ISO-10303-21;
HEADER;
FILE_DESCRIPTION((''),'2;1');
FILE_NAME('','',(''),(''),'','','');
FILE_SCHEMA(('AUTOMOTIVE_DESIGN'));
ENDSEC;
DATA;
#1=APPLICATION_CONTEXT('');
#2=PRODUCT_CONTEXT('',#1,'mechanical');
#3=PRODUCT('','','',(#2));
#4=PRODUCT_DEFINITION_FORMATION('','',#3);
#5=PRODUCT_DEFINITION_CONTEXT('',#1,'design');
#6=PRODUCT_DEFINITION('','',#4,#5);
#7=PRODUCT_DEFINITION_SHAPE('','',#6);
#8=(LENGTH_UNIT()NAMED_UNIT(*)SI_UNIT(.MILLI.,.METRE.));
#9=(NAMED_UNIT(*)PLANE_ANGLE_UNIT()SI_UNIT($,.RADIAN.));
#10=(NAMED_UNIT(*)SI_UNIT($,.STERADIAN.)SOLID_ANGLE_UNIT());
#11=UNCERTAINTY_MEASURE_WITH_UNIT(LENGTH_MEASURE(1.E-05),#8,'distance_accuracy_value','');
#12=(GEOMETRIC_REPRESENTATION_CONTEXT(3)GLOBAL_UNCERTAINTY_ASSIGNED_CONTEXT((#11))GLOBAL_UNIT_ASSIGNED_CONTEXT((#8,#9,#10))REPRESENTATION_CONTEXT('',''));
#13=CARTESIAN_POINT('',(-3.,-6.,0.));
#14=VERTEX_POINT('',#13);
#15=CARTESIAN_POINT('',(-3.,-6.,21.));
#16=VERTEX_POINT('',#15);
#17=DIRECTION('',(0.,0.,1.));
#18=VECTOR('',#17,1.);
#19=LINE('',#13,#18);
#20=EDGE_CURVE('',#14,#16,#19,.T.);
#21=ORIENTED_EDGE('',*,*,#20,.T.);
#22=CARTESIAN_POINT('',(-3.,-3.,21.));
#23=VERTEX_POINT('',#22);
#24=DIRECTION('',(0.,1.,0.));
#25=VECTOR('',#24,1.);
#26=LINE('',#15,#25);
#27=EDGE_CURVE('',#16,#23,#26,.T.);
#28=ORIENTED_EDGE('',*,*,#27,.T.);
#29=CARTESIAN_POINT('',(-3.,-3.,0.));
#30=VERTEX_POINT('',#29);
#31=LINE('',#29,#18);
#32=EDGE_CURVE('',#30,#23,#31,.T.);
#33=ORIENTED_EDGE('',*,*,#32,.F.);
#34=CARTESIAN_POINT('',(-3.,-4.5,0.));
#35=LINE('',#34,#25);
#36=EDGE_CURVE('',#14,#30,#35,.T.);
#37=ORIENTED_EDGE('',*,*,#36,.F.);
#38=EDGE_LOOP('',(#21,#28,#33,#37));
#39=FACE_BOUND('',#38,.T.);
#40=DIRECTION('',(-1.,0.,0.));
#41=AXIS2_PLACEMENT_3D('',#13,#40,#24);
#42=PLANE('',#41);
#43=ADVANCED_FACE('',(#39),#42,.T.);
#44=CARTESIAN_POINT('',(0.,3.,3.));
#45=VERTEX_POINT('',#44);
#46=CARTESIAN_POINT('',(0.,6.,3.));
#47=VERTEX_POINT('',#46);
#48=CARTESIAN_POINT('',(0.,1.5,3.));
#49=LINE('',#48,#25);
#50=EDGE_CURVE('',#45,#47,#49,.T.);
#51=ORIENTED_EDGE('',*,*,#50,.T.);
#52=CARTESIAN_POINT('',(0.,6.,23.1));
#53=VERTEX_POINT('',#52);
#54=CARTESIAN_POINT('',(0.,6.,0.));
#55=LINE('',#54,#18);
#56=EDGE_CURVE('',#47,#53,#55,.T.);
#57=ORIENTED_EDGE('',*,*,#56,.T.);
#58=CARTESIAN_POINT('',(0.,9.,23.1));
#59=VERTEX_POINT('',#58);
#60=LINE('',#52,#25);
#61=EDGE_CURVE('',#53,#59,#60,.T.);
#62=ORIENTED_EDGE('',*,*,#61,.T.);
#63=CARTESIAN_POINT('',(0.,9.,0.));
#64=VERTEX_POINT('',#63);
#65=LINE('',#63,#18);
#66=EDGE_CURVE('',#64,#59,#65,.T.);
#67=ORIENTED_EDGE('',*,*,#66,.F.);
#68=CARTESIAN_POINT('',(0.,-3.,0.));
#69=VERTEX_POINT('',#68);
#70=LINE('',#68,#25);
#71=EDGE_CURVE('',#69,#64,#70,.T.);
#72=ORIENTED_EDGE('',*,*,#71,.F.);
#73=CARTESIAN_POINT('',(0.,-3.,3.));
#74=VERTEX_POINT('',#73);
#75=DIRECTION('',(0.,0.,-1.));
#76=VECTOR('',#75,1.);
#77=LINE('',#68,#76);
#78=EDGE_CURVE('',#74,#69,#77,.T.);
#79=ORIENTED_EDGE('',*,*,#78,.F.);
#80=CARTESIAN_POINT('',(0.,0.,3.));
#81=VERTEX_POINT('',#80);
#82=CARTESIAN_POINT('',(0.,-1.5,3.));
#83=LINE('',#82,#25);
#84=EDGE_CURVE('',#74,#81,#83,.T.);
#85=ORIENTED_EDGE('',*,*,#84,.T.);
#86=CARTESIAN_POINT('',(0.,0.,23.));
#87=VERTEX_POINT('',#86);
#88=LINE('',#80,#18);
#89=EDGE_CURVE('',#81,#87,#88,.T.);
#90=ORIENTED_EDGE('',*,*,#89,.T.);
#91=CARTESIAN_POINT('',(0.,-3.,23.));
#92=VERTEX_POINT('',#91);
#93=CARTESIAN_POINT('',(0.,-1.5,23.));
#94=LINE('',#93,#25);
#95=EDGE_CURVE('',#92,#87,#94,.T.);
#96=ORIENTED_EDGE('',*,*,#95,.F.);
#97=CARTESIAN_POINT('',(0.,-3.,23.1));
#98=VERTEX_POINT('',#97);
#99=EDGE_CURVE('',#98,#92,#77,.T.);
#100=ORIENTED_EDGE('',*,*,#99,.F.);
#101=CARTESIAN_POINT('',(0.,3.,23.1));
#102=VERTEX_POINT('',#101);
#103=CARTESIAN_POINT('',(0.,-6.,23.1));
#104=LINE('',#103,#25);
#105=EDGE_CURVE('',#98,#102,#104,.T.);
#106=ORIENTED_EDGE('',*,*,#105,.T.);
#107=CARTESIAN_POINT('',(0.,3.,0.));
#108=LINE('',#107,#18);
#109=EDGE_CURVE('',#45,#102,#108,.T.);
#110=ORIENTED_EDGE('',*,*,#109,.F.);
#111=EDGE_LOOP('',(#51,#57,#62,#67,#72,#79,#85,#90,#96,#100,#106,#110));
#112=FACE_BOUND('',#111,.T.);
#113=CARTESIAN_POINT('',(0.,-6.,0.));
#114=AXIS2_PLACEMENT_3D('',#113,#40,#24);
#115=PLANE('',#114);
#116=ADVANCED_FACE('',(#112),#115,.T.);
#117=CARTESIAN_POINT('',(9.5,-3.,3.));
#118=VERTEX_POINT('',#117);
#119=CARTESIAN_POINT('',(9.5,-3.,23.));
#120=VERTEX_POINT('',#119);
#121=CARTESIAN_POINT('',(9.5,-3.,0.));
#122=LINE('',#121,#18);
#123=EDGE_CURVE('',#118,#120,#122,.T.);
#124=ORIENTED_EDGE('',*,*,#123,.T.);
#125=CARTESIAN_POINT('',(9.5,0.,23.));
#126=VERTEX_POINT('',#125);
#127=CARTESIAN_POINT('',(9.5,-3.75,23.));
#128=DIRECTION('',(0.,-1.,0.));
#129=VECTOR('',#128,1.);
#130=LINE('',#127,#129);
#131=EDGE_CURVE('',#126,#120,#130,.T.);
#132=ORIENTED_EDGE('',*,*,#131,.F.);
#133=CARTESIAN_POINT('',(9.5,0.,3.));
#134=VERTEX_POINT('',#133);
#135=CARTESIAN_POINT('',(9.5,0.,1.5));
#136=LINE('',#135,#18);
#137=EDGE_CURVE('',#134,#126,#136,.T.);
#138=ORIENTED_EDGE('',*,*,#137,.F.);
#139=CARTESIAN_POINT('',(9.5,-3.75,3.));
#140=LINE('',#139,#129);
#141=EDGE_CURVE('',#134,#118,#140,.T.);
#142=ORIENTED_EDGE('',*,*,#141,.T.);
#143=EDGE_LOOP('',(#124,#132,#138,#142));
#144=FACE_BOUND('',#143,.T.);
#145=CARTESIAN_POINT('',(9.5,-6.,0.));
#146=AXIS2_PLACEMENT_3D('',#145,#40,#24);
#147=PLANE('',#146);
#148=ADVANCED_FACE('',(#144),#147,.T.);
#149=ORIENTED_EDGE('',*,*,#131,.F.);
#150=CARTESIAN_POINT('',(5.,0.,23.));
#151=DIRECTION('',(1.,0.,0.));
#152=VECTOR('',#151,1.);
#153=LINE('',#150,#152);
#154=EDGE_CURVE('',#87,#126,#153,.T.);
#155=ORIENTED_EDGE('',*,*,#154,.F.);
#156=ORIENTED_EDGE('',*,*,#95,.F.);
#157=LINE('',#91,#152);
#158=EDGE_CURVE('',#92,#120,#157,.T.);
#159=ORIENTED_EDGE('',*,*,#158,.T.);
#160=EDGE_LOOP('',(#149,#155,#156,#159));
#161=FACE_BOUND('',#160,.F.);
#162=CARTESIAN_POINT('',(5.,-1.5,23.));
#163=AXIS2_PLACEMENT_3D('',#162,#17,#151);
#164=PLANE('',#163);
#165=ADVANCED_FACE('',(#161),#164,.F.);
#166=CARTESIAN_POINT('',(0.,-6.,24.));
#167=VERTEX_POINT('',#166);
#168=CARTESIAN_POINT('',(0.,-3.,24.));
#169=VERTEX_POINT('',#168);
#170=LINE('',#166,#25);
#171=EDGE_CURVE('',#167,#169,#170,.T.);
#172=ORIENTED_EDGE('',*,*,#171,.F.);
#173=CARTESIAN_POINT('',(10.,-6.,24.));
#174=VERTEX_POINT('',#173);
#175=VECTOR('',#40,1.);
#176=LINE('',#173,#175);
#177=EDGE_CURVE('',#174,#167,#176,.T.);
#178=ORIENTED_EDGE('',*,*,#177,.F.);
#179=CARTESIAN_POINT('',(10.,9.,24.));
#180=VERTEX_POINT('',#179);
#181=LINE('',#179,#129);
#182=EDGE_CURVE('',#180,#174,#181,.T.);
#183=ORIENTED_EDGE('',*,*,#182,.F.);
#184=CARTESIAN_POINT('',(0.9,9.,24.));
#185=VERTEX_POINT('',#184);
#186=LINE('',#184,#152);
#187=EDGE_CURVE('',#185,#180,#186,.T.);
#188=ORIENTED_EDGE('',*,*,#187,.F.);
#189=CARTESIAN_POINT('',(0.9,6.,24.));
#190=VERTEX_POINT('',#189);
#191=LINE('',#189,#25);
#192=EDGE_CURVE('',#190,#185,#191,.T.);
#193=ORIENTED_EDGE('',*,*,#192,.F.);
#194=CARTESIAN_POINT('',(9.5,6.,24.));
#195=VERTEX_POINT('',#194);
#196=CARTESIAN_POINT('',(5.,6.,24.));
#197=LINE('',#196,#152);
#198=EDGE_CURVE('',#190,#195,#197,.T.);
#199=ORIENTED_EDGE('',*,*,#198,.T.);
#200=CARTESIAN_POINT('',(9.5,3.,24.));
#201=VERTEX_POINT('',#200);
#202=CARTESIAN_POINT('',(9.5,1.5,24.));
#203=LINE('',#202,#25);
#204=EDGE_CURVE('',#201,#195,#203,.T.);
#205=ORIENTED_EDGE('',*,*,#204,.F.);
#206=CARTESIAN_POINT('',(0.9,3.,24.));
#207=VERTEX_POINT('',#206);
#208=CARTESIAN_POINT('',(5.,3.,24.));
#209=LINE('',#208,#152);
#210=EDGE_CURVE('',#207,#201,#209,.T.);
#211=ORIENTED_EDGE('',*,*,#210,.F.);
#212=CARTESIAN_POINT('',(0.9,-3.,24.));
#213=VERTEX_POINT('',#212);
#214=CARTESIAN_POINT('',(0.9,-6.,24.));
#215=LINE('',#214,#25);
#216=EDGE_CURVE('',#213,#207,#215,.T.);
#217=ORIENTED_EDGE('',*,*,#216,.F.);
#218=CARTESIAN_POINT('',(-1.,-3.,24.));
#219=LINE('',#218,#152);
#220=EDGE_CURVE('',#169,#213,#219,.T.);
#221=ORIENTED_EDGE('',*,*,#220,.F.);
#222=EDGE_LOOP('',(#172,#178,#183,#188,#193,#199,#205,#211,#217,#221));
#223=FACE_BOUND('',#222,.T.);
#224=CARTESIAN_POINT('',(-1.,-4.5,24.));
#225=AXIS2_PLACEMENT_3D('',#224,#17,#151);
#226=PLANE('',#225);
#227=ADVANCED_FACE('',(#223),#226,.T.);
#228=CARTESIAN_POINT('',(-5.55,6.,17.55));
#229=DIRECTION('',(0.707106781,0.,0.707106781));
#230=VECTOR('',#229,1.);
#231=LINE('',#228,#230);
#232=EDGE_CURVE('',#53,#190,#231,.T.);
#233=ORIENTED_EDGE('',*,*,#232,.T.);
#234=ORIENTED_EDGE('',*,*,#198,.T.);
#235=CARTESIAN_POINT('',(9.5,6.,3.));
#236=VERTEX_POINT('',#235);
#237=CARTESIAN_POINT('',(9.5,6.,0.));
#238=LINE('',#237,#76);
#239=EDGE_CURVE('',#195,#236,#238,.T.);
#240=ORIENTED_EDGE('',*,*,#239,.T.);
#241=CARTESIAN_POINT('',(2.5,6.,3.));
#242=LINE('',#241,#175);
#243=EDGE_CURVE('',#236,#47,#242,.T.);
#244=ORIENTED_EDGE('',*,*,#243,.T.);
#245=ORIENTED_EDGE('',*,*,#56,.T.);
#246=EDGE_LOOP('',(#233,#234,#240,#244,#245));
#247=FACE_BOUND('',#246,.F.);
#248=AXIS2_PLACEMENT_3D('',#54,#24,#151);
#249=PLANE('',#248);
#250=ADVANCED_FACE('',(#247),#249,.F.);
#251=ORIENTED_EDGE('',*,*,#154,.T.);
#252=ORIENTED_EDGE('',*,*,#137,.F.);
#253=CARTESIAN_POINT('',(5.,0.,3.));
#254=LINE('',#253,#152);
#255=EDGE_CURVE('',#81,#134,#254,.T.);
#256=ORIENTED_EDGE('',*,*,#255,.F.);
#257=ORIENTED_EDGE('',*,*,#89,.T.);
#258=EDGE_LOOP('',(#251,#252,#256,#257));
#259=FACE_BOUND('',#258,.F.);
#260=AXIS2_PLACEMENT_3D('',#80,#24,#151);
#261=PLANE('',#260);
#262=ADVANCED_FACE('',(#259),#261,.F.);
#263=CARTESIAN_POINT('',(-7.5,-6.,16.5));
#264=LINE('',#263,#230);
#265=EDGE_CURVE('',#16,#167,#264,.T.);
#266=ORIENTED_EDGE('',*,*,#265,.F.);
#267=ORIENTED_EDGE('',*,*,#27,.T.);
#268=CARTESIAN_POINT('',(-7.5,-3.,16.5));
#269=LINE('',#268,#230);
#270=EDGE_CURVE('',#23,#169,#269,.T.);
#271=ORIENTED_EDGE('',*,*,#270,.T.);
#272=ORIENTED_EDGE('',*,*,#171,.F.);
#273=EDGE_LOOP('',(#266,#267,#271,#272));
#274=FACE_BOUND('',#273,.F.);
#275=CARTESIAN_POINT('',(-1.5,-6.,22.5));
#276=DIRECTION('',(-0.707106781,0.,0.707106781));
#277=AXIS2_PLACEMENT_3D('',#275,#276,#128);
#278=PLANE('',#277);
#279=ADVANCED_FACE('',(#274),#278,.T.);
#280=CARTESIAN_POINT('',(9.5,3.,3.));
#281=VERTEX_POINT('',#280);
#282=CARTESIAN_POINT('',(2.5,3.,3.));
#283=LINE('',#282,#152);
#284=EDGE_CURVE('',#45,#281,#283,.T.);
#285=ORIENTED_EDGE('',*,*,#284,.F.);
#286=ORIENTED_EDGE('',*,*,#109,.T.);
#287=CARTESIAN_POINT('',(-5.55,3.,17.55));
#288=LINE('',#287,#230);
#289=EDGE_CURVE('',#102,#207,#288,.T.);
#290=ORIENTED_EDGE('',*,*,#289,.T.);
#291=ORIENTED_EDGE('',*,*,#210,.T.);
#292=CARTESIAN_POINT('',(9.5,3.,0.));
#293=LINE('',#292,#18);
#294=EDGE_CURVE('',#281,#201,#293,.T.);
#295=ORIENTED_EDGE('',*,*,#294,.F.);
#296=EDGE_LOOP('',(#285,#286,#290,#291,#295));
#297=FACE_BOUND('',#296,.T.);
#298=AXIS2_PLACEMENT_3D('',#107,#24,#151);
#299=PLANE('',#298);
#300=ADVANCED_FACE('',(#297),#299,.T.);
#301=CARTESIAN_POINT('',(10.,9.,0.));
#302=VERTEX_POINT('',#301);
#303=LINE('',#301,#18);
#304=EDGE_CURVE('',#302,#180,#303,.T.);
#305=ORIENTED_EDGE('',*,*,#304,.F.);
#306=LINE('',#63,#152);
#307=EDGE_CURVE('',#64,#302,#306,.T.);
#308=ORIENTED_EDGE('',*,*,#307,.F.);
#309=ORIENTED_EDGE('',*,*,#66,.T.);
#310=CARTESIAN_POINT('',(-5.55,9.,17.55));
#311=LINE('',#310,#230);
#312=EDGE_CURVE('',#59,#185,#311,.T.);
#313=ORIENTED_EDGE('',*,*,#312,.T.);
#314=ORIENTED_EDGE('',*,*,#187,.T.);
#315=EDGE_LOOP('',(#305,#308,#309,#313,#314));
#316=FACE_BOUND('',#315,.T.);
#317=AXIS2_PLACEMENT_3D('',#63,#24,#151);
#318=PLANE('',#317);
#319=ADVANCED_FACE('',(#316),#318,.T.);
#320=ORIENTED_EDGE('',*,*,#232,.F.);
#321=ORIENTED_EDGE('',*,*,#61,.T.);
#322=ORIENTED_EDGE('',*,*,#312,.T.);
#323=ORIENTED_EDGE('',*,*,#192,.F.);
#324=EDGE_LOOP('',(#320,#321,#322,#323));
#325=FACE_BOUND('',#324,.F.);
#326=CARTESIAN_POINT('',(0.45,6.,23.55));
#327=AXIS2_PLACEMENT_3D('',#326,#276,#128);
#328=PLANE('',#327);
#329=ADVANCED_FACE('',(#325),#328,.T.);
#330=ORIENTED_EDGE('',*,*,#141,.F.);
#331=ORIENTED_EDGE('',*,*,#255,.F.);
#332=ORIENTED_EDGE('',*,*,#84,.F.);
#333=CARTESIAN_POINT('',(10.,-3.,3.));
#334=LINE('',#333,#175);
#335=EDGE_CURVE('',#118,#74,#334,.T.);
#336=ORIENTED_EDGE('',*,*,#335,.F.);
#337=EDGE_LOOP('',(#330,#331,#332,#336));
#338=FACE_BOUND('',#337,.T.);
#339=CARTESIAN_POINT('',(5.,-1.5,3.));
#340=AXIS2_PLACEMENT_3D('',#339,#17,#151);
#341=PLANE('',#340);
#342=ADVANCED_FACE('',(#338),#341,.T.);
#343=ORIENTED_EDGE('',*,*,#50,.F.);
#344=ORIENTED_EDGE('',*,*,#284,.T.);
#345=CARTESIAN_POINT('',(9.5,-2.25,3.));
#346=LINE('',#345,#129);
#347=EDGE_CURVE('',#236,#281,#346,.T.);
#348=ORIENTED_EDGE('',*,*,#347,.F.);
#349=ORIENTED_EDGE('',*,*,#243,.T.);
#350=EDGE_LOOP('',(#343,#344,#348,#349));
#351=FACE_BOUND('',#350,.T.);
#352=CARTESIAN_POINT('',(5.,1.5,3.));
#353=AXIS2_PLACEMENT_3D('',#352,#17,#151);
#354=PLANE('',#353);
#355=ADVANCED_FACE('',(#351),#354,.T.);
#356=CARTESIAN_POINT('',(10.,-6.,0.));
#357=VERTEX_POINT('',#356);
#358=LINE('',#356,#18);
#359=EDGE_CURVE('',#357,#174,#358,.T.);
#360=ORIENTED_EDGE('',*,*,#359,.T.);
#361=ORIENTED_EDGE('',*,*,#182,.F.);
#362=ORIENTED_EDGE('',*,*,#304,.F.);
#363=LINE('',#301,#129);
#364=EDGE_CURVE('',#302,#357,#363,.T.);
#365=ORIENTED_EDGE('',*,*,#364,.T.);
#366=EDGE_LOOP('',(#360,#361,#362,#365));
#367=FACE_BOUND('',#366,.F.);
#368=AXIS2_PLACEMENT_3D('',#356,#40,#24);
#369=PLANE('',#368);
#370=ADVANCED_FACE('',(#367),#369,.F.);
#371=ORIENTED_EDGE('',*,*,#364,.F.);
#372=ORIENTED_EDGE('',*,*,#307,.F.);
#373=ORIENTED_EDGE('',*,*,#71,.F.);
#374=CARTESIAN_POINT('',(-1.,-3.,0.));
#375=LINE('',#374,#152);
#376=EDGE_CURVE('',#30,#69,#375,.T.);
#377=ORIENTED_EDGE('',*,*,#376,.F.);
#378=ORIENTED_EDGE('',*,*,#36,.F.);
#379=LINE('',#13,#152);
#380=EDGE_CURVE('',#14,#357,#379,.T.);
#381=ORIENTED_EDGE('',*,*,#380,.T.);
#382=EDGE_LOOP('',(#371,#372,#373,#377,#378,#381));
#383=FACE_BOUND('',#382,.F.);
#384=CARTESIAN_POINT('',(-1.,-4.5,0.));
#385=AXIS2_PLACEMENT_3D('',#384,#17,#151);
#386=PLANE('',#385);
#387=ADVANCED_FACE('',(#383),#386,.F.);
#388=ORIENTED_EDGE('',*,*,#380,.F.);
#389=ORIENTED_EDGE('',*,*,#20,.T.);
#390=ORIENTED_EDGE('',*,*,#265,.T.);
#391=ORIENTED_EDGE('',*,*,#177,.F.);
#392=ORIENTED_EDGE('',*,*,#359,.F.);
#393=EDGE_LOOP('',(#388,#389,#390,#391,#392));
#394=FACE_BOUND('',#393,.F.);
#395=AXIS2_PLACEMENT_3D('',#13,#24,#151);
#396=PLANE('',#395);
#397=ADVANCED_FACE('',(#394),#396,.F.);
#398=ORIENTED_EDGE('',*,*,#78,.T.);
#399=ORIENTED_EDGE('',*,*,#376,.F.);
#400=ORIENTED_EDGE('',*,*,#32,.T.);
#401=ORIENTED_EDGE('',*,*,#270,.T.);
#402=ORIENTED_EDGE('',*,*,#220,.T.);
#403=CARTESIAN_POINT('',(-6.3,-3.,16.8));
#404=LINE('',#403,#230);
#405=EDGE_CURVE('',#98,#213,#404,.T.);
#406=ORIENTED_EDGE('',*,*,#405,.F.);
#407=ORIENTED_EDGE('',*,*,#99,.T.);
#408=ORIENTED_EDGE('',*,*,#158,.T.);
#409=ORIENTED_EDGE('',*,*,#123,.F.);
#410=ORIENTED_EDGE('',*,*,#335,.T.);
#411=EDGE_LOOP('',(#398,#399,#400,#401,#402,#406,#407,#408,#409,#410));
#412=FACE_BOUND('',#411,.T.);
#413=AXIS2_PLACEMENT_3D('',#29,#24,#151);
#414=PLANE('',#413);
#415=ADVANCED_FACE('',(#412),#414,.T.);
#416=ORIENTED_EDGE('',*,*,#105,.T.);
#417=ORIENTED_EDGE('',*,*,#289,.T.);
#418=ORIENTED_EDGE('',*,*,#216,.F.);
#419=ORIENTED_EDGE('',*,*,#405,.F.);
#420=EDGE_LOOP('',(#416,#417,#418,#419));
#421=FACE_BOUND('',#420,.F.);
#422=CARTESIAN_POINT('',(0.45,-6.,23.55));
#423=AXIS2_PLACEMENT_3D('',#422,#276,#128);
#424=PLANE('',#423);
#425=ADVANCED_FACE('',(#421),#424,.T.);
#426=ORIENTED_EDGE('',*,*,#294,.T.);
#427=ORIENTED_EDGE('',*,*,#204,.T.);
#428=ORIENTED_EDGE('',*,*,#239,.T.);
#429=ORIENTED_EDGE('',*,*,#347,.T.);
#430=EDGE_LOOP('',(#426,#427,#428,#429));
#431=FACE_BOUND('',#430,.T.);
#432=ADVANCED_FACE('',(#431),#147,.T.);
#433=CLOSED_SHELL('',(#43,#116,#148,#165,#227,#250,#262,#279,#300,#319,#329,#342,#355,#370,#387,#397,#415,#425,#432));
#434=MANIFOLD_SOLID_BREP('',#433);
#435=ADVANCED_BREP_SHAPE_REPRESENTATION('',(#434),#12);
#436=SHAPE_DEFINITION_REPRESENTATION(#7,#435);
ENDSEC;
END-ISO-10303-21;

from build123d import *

# Parameters (mm, degrees)
BOX008_W        = 10
BOX008_H        = 15
BOX008_DEPTH    = 3
BOX009_W        = 4
BOX009_H        = 3
BOX009_DEPTH    = 24
CHAMFER_SIZE    = 3
BOX001_W        = 0.5
BOX001_H        = 15
BOX001_DEPTH    = 24
BOX003_W        = 10
BOX003_H        = 3
BOX003_DEPTH    = 24
CHAMFER001_SIZE = 0.9
BOX_W           = 10
BOX_H           = 3
BOX_DEPTH       = 20
BOX005_W        = 10
BOX005_H        = 9
BOX005_DEPTH    = 24
CHAMFER002_SIZE = 0.9


with BuildPart() as cube006:
    # Box008 → Box008 (new body)
    with BuildSketch(Plane(origin=(0, -6, 0), x_dir=(1, 0, 0), z_dir=(0, 0, 1))):
        with Locations((5, 7.5)):
            Rectangle(BOX008_W, BOX008_H)
    extrude(amount=BOX008_DEPTH)


with BuildPart() as chamfer_body:
    # Box009 → Box009 (new body)
    with BuildSketch(Plane(origin=(-3, -6, 0), x_dir=(1, 0, 0), z_dir=(0, 0, 1))):
        with Locations((2, 1.5)):
            Rectangle(BOX009_W, BOX009_H)
    extrude(amount=BOX009_DEPTH)

    # Chamfer
    chamfer_edges = [chamfer_body.edges().sort_by_distance(p)[0] for p in [
        (-3, -4.5, 24),
    ]]
    chamfer(chamfer_edges, length=CHAMFER_SIZE)


with BuildPart() as cube:
    # Box001 → Box001 (new body)
    with BuildSketch(Plane(origin=(9.5, -6, 0), x_dir=(1, 0, 0), z_dir=(0, 0, 1))):
        with Locations((0.25, 7.5)):
            Rectangle(BOX001_W, BOX001_H)
    extrude(amount=BOX001_DEPTH)


with BuildPart() as chamfer001:
    # Box003 → Box003 (new body)
    with BuildSketch(Plane(origin=(0, 6, 0), x_dir=(1, 0, 0), z_dir=(0, 0, 1))):
        with Locations((5, 1.5)):
            Rectangle(BOX003_W, BOX003_H)
    extrude(amount=BOX003_DEPTH)

    # Chamfer001
    chamfer001_edges = [chamfer001.edges().sort_by_distance(p)[0] for p in [
        (0, 7.5, 24),
    ]]
    chamfer(chamfer001_edges, length=CHAMFER001_SIZE)


with BuildPart() as magnet:
    # Box → Box (new body)
    with BuildSketch(Plane(origin=(0, -3, 3), x_dir=(1, 0, 0), z_dir=(0, 0, 1))):
        with Locations((5, 1.5)):
            Rectangle(BOX_W, BOX_H)
    extrude(amount=BOX_DEPTH)


with BuildPart() as fusion:
    # Box005 → Box005 (new body)
    with BuildSketch(Plane(origin=(0, -6, 0), x_dir=(1, 0, 0), z_dir=(0, 0, 1))):
        with Locations((5, 4.5)):
            Rectangle(BOX005_W, BOX005_H)
    extrude(amount=BOX005_DEPTH)

    # Cut: cut magnet
    add(magnet.part, mode=Mode.SUBTRACT)

    # Chamfer002
    chamfer002_edges = [fusion.edges().sort_by_distance(p)[0] for p in [
        (0, -1.5, 24),
    ]]
    chamfer(chamfer002_edges, length=CHAMFER002_SIZE)

    # Fusion: union Cube006, Chamfer body, Cube, Chamfer001
    add(cube006.part)
    add(chamfer_body.part)
    add(cube.part)
    add(chamfer001.part)


solid = fusion.part
